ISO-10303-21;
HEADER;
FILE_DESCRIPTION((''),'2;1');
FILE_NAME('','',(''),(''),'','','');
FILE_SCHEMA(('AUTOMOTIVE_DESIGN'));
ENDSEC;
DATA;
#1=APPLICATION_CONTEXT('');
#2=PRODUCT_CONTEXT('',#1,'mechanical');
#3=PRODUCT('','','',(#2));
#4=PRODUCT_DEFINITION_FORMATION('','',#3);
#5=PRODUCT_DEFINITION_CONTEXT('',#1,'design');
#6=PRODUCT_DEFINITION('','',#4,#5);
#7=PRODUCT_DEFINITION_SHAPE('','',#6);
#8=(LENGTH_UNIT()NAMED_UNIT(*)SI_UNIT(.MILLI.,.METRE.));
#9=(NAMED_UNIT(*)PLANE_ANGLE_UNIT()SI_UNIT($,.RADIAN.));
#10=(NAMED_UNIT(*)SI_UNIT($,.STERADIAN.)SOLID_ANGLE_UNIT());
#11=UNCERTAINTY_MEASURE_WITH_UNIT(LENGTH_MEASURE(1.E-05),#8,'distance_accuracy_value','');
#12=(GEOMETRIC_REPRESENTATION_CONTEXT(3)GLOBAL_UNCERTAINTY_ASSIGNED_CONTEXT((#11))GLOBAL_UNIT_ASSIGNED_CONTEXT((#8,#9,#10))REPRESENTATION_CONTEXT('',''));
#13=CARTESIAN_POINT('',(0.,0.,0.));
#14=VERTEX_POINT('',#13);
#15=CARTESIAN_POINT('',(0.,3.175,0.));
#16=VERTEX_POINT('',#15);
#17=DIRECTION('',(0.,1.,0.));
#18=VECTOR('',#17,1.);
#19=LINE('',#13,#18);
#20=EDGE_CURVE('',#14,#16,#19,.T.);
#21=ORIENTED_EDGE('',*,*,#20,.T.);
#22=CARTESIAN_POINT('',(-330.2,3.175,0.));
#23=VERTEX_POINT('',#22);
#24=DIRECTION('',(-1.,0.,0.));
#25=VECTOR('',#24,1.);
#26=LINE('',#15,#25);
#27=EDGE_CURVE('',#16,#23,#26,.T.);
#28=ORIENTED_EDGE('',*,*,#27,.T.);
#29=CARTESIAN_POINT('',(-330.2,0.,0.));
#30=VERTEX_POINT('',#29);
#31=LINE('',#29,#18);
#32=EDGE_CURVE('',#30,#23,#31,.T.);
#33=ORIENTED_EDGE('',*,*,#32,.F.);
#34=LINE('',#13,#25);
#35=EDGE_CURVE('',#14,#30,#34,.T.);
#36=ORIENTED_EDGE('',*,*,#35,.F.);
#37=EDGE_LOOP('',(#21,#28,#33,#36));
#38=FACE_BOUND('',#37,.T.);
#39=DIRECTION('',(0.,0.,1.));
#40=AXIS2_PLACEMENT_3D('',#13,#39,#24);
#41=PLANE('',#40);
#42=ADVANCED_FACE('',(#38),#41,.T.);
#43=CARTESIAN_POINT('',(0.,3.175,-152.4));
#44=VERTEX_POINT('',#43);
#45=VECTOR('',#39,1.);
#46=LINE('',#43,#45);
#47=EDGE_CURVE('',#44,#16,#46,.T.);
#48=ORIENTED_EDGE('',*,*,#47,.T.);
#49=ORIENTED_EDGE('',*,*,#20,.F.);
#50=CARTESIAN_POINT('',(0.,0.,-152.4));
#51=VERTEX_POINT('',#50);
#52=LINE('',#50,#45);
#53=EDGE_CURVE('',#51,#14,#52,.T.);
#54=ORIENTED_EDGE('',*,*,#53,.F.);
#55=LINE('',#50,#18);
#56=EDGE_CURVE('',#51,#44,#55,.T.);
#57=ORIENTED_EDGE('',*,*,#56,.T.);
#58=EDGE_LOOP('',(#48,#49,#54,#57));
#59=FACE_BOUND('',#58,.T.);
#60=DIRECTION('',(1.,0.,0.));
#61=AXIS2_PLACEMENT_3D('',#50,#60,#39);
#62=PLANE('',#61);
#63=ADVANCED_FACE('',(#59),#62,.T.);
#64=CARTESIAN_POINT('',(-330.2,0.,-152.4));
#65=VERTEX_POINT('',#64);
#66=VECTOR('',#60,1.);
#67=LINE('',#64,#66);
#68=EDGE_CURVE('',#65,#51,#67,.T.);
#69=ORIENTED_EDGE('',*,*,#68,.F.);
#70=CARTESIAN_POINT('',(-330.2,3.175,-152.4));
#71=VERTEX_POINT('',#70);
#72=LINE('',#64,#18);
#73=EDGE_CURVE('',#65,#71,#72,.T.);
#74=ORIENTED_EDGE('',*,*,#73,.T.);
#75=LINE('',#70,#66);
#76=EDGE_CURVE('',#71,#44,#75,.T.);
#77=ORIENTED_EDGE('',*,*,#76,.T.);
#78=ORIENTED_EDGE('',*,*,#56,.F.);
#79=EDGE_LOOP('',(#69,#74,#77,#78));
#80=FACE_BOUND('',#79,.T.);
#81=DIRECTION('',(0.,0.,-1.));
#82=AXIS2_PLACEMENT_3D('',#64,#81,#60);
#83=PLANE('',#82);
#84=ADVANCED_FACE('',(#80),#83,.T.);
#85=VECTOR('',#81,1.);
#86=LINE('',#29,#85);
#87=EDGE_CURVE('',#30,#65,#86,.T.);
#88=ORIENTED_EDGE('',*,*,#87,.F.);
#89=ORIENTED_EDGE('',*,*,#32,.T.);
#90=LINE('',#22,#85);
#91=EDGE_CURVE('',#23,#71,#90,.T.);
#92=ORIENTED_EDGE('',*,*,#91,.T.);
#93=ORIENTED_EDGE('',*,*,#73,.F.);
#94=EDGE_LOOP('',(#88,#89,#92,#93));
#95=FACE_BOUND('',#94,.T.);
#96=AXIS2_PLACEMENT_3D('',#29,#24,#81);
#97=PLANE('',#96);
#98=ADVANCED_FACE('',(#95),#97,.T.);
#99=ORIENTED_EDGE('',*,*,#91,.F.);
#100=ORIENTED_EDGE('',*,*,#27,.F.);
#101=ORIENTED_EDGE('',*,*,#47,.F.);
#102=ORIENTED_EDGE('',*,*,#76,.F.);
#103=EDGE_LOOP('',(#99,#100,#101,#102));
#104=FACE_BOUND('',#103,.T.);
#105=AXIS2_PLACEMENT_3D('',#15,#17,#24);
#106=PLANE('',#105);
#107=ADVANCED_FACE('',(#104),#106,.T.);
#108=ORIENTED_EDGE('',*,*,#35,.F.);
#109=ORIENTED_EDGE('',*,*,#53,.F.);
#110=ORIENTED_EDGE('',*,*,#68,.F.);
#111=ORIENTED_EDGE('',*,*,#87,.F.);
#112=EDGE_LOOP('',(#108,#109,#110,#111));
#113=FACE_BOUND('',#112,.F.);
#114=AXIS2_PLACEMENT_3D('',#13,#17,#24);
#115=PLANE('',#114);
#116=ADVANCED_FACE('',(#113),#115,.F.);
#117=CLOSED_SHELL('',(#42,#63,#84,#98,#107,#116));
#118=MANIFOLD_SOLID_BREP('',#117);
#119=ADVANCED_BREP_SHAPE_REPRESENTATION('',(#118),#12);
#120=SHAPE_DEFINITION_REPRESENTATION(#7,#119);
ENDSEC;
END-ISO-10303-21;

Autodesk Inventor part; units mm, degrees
ref_plane "YZ Plane" through (0, 0, 0) normal (1, 0, 0) x (0, 1, 0)
ref_plane "XZ Plane" through (0, 0, 0) normal (0, 1, 0) x (-1, 0, 0)
ref_plane "XY Plane" through (0, 0, 0) normal (0, 0, 1) x (1, 0, 0)
sketch "Sketch1" plane through (0, 0, 0) normal (0, 1, 0) x (-1, 0, 0)
  line L0 (0, 0) -> (330.2, 0)
  line L1 (330.2, 0) -> (330.2, -152.4)
  line L2 (330.2, -152.4) -> (0, -152.4)
  line L3 (0, -152.4) -> (0, 0)
  dimension "d0" = 330.2
  dimension "d1" = 152.4
extrude "Extrusion1" add sketch "Sketch1" along normal blind 3.175
sketch "Sketch2" plane through (0, 3.175, 0) normal (0, 1, 0) x (1, 0, 0)
  point P0 (0, 0)
properties part number "phone holder base"
